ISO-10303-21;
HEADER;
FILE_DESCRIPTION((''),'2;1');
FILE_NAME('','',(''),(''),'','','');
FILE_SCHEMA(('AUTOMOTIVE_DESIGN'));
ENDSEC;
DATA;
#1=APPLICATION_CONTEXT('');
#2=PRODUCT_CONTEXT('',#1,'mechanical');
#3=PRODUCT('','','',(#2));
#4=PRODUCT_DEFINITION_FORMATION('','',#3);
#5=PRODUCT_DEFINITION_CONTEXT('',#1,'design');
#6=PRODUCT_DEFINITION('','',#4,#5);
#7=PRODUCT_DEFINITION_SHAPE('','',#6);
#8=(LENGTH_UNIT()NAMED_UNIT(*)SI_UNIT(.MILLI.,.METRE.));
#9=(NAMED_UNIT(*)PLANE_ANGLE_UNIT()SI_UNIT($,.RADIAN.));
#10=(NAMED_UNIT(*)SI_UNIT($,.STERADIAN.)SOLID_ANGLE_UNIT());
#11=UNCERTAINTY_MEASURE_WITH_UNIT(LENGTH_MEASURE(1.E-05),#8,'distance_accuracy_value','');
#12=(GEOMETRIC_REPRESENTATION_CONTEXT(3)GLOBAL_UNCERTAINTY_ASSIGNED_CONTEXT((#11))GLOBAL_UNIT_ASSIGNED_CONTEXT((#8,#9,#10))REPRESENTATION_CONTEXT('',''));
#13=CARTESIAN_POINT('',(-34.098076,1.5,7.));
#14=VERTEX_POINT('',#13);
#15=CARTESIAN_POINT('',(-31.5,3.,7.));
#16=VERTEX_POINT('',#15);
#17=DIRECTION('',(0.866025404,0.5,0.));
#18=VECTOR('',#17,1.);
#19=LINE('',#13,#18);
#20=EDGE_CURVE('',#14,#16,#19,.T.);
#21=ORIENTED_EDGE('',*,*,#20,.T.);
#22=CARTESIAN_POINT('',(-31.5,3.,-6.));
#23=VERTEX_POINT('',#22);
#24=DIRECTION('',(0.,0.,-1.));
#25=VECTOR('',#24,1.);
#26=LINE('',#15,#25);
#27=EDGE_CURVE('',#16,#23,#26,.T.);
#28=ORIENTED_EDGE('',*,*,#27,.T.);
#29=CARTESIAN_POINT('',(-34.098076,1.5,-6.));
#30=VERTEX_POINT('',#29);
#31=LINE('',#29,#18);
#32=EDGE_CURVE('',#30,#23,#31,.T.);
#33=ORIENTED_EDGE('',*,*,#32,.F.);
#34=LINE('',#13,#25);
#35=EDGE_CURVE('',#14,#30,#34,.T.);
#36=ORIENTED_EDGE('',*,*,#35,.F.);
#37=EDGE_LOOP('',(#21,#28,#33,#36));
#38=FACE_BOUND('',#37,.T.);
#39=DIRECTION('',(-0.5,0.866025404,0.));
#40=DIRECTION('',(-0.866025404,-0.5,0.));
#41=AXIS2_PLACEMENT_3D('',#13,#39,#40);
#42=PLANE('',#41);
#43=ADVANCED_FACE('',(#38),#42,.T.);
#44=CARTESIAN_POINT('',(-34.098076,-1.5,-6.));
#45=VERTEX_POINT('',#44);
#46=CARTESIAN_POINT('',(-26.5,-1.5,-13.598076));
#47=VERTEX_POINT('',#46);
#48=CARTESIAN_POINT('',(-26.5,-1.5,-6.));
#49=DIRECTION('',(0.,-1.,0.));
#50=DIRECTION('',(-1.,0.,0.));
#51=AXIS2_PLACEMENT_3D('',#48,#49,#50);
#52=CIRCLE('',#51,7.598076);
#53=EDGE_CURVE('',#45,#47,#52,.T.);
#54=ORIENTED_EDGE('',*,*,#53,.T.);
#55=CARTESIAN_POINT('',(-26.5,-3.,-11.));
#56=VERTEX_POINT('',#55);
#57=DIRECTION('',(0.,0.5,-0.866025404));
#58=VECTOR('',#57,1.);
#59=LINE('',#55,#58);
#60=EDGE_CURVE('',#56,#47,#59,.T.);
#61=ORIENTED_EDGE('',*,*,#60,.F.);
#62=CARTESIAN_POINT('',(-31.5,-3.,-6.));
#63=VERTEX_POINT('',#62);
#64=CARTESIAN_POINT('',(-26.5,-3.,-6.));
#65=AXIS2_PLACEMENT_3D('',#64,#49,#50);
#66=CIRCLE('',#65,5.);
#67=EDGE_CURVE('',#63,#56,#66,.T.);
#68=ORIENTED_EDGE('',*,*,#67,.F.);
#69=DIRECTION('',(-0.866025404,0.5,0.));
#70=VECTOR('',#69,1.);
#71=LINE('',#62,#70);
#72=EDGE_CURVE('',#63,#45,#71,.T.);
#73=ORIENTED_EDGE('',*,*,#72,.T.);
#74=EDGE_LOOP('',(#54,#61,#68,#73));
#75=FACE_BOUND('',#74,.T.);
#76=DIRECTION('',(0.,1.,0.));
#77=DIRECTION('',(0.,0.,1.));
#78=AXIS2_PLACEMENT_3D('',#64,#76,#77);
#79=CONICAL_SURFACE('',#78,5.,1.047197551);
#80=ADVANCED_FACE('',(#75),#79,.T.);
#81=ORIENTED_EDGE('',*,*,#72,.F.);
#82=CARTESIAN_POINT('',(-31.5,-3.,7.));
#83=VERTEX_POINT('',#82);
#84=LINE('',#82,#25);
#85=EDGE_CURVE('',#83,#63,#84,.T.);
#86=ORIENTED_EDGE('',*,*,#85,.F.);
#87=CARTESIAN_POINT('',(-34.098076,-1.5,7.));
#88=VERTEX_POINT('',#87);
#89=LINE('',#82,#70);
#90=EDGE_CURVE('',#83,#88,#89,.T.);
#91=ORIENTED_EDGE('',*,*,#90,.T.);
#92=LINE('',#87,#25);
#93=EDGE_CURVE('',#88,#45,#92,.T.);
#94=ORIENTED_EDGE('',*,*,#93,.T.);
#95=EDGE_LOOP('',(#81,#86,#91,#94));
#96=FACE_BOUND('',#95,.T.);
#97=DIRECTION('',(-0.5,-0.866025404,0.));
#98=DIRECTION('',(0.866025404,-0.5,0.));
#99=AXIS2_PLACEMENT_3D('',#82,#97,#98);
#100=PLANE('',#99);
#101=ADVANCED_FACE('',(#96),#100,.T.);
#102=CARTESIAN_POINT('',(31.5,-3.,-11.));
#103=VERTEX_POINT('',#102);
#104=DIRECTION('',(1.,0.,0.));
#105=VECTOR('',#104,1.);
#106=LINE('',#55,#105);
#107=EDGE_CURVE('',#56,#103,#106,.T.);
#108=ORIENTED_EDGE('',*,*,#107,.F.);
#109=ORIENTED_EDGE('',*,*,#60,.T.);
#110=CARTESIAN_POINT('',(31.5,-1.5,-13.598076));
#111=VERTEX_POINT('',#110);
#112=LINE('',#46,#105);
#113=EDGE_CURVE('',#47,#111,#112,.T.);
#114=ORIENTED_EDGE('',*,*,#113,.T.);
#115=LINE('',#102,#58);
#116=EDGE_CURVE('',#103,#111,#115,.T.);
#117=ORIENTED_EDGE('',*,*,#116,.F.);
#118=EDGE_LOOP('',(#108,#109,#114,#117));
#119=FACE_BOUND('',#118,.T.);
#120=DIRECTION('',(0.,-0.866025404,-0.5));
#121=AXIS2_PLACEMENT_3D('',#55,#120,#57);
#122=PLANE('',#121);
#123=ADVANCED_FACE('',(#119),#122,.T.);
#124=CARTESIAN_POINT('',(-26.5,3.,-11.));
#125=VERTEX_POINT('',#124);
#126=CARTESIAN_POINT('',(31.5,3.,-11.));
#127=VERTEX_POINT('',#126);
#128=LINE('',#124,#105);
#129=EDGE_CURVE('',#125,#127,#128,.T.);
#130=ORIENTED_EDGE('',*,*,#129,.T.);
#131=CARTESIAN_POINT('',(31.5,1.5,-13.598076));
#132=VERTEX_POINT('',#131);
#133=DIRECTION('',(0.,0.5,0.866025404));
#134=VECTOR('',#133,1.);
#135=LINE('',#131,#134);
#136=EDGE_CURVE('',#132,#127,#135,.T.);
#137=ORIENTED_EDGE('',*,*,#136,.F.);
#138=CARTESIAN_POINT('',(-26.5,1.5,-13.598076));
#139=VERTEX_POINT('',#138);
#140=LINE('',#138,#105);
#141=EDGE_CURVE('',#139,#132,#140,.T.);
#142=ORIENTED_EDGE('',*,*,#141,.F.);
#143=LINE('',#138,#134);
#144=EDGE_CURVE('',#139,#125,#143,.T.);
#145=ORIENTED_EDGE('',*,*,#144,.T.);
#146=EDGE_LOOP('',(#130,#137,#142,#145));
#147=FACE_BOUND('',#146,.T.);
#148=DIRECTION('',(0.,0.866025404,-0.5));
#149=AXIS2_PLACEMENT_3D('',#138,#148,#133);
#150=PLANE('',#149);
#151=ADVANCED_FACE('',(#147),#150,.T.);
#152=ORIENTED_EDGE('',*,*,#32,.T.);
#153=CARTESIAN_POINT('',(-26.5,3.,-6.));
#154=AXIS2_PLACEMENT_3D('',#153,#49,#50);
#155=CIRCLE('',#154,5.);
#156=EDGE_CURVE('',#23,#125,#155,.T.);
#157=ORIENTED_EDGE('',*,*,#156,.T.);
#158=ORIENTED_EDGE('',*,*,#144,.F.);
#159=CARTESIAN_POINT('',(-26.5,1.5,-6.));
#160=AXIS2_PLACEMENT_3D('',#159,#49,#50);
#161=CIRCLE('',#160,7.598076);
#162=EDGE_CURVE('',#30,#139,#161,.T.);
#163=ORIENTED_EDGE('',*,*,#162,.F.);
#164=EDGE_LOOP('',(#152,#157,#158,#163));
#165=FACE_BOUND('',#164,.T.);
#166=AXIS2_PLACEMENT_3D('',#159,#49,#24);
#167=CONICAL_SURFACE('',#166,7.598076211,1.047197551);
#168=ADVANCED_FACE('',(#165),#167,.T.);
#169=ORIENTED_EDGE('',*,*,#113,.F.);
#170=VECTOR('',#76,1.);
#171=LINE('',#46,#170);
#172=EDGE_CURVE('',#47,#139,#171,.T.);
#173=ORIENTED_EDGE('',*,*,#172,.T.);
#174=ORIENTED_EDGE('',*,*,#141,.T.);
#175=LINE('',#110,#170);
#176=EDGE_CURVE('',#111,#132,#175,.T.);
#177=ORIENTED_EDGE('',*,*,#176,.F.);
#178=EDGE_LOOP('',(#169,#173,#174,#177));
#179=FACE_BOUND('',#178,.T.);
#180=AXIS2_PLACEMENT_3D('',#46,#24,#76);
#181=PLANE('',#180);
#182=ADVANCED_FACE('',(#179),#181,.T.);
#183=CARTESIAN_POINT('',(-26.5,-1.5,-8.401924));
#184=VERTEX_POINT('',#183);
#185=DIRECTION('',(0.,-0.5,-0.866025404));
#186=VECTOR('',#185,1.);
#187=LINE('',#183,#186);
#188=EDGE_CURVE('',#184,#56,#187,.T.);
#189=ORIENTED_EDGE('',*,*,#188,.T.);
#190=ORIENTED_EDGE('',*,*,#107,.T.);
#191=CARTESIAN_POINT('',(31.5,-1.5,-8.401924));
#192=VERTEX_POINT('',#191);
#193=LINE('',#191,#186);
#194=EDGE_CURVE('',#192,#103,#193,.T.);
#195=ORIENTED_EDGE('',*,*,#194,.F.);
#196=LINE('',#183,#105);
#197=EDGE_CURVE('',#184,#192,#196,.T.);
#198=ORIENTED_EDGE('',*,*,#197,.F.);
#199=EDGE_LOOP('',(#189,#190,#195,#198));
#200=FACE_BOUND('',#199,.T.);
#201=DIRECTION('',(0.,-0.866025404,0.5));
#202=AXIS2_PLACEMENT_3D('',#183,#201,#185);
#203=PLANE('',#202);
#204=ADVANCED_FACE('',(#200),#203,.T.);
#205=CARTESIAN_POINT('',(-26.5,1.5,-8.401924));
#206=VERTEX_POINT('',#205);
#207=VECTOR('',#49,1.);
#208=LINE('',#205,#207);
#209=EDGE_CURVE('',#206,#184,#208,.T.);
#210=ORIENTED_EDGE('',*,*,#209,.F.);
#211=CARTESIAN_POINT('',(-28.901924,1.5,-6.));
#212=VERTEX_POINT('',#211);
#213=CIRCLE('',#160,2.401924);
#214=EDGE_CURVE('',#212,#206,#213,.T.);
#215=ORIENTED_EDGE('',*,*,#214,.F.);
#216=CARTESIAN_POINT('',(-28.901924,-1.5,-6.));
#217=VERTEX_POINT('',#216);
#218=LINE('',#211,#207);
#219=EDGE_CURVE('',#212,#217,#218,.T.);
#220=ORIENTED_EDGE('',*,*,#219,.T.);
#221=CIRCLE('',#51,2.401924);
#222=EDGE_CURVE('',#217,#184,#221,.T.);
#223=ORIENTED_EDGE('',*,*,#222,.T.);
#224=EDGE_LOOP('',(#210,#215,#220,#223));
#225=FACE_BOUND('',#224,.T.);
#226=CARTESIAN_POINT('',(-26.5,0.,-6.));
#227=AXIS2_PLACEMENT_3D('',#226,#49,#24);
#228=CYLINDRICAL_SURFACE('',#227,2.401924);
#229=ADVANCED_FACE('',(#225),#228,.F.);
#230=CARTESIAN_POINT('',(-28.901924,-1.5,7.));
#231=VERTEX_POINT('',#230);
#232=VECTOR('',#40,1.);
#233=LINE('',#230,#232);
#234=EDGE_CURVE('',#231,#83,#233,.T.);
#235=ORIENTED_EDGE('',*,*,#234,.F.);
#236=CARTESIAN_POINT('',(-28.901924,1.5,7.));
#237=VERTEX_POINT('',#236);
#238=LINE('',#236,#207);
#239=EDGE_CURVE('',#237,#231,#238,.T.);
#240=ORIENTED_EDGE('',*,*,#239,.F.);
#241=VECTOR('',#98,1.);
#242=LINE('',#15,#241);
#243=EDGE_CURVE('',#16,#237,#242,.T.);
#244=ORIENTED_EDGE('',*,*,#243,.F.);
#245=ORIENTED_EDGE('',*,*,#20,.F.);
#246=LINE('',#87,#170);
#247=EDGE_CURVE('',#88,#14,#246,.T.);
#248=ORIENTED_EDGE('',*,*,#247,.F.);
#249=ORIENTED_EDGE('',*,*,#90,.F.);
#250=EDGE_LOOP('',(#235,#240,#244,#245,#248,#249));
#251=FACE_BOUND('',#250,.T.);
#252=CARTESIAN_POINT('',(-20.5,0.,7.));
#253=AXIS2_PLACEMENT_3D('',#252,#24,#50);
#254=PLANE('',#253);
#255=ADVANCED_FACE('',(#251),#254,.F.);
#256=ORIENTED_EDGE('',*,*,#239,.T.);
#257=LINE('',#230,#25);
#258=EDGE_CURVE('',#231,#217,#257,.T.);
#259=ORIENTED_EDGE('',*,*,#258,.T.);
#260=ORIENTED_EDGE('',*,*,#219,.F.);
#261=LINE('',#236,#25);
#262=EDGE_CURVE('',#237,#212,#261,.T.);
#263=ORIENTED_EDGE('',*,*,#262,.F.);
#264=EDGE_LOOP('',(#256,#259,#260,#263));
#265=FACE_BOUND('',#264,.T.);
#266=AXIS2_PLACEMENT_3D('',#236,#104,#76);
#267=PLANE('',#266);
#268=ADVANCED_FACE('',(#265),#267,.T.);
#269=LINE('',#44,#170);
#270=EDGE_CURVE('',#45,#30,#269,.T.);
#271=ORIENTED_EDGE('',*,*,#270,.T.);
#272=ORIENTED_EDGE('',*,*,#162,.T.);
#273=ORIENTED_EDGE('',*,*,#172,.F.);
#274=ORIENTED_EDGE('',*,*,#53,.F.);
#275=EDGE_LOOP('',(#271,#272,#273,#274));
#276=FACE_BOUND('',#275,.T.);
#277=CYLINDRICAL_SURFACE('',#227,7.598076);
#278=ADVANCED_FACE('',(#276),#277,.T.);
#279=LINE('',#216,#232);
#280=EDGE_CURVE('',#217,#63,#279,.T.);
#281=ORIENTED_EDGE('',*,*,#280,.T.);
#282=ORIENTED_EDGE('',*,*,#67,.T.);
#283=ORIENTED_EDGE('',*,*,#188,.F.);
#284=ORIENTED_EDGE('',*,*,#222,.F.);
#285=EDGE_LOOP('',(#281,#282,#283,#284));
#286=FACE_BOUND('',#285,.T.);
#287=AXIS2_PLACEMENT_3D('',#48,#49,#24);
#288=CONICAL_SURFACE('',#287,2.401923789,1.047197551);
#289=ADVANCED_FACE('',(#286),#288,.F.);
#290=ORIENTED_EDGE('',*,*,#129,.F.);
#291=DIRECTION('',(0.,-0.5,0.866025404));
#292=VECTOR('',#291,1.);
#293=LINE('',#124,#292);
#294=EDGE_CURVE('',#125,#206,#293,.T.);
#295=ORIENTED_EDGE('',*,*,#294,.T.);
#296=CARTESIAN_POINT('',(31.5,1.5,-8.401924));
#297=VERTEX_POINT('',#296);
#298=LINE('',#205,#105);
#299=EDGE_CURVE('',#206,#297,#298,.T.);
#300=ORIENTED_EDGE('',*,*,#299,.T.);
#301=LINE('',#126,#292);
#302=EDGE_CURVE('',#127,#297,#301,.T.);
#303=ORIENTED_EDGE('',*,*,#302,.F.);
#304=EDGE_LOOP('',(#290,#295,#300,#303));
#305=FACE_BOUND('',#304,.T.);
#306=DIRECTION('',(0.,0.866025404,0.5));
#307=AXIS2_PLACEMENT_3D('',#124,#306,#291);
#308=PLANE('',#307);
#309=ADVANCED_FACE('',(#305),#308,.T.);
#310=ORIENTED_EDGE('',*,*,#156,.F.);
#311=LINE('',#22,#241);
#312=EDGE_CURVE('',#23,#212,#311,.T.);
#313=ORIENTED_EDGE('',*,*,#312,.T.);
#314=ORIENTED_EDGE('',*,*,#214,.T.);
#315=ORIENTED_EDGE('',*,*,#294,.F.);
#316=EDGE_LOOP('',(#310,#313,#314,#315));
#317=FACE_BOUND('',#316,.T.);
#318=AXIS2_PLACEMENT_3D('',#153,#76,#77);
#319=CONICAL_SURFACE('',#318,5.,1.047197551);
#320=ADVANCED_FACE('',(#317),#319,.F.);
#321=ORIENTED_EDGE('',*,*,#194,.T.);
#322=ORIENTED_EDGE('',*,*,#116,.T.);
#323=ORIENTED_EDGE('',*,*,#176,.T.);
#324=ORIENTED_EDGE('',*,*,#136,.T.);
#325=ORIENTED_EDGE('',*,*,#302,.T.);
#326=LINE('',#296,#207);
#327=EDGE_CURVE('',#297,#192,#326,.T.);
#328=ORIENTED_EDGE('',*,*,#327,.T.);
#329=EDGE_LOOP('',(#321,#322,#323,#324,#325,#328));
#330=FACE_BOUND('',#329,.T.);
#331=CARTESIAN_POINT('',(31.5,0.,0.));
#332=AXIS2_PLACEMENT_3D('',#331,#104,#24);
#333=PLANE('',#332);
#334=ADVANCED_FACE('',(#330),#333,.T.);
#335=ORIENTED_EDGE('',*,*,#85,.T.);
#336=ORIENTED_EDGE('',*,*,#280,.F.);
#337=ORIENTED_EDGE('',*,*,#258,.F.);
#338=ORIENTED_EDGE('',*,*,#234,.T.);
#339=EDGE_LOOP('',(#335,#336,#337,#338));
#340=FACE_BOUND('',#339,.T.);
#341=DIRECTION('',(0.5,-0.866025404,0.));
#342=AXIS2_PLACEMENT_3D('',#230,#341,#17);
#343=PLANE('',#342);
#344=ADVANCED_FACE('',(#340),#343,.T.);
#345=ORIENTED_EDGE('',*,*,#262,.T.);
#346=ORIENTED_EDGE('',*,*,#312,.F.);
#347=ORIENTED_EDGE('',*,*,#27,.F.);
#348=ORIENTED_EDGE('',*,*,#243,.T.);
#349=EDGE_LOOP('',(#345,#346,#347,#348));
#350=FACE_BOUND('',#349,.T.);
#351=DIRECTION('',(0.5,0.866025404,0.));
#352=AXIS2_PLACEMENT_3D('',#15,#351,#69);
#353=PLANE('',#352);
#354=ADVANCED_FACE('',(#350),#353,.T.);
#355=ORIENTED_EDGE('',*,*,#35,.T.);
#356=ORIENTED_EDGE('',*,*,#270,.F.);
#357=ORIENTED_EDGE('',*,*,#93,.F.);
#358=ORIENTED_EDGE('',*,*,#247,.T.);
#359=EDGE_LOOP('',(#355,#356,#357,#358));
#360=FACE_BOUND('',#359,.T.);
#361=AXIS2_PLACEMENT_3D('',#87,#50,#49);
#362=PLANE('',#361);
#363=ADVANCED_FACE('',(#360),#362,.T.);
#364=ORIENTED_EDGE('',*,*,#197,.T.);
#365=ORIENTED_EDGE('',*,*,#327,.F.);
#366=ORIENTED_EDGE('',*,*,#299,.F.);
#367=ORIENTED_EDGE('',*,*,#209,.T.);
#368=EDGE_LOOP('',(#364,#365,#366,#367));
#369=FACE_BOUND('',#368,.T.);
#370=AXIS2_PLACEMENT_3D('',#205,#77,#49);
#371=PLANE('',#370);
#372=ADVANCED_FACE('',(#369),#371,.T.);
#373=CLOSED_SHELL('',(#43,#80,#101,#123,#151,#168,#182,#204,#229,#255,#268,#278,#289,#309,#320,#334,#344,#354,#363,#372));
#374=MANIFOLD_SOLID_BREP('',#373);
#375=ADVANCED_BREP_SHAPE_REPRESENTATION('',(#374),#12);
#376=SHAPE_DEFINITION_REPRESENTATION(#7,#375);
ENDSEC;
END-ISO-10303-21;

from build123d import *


with BuildPart() as part:
    # Sweep1: sweep along a path in Sketch1
    with BuildLine(Plane(origin=(0, 0, 0), x_dir=(1, 0, 0), z_dir=(0, 1, 0))) as sweep1_path:
        Line((31.5, 11), (-26.5, 11))
        ThreePointArc((-26.5, 11), (-30.035533906, 9.535533906), (-31.5, 6))
        Line((-31.5, 6), (-31.5, -7))
    # Sketch2 → Sweep1 (sweep)
    with BuildSketch(Plane(origin=(31.5, 0, -11), x_dir=(0, 0, -1), z_dir=(1, 0, 0))):
        Polygon((-2.598076211, 1.5), (-2.598076211, -1.5), (0, -3), (2.598076211, -1.5), (2.598076211, 1.5), (0, 3), align=None)
    sweep(path=sweep1_path.line)


solid = part.part
